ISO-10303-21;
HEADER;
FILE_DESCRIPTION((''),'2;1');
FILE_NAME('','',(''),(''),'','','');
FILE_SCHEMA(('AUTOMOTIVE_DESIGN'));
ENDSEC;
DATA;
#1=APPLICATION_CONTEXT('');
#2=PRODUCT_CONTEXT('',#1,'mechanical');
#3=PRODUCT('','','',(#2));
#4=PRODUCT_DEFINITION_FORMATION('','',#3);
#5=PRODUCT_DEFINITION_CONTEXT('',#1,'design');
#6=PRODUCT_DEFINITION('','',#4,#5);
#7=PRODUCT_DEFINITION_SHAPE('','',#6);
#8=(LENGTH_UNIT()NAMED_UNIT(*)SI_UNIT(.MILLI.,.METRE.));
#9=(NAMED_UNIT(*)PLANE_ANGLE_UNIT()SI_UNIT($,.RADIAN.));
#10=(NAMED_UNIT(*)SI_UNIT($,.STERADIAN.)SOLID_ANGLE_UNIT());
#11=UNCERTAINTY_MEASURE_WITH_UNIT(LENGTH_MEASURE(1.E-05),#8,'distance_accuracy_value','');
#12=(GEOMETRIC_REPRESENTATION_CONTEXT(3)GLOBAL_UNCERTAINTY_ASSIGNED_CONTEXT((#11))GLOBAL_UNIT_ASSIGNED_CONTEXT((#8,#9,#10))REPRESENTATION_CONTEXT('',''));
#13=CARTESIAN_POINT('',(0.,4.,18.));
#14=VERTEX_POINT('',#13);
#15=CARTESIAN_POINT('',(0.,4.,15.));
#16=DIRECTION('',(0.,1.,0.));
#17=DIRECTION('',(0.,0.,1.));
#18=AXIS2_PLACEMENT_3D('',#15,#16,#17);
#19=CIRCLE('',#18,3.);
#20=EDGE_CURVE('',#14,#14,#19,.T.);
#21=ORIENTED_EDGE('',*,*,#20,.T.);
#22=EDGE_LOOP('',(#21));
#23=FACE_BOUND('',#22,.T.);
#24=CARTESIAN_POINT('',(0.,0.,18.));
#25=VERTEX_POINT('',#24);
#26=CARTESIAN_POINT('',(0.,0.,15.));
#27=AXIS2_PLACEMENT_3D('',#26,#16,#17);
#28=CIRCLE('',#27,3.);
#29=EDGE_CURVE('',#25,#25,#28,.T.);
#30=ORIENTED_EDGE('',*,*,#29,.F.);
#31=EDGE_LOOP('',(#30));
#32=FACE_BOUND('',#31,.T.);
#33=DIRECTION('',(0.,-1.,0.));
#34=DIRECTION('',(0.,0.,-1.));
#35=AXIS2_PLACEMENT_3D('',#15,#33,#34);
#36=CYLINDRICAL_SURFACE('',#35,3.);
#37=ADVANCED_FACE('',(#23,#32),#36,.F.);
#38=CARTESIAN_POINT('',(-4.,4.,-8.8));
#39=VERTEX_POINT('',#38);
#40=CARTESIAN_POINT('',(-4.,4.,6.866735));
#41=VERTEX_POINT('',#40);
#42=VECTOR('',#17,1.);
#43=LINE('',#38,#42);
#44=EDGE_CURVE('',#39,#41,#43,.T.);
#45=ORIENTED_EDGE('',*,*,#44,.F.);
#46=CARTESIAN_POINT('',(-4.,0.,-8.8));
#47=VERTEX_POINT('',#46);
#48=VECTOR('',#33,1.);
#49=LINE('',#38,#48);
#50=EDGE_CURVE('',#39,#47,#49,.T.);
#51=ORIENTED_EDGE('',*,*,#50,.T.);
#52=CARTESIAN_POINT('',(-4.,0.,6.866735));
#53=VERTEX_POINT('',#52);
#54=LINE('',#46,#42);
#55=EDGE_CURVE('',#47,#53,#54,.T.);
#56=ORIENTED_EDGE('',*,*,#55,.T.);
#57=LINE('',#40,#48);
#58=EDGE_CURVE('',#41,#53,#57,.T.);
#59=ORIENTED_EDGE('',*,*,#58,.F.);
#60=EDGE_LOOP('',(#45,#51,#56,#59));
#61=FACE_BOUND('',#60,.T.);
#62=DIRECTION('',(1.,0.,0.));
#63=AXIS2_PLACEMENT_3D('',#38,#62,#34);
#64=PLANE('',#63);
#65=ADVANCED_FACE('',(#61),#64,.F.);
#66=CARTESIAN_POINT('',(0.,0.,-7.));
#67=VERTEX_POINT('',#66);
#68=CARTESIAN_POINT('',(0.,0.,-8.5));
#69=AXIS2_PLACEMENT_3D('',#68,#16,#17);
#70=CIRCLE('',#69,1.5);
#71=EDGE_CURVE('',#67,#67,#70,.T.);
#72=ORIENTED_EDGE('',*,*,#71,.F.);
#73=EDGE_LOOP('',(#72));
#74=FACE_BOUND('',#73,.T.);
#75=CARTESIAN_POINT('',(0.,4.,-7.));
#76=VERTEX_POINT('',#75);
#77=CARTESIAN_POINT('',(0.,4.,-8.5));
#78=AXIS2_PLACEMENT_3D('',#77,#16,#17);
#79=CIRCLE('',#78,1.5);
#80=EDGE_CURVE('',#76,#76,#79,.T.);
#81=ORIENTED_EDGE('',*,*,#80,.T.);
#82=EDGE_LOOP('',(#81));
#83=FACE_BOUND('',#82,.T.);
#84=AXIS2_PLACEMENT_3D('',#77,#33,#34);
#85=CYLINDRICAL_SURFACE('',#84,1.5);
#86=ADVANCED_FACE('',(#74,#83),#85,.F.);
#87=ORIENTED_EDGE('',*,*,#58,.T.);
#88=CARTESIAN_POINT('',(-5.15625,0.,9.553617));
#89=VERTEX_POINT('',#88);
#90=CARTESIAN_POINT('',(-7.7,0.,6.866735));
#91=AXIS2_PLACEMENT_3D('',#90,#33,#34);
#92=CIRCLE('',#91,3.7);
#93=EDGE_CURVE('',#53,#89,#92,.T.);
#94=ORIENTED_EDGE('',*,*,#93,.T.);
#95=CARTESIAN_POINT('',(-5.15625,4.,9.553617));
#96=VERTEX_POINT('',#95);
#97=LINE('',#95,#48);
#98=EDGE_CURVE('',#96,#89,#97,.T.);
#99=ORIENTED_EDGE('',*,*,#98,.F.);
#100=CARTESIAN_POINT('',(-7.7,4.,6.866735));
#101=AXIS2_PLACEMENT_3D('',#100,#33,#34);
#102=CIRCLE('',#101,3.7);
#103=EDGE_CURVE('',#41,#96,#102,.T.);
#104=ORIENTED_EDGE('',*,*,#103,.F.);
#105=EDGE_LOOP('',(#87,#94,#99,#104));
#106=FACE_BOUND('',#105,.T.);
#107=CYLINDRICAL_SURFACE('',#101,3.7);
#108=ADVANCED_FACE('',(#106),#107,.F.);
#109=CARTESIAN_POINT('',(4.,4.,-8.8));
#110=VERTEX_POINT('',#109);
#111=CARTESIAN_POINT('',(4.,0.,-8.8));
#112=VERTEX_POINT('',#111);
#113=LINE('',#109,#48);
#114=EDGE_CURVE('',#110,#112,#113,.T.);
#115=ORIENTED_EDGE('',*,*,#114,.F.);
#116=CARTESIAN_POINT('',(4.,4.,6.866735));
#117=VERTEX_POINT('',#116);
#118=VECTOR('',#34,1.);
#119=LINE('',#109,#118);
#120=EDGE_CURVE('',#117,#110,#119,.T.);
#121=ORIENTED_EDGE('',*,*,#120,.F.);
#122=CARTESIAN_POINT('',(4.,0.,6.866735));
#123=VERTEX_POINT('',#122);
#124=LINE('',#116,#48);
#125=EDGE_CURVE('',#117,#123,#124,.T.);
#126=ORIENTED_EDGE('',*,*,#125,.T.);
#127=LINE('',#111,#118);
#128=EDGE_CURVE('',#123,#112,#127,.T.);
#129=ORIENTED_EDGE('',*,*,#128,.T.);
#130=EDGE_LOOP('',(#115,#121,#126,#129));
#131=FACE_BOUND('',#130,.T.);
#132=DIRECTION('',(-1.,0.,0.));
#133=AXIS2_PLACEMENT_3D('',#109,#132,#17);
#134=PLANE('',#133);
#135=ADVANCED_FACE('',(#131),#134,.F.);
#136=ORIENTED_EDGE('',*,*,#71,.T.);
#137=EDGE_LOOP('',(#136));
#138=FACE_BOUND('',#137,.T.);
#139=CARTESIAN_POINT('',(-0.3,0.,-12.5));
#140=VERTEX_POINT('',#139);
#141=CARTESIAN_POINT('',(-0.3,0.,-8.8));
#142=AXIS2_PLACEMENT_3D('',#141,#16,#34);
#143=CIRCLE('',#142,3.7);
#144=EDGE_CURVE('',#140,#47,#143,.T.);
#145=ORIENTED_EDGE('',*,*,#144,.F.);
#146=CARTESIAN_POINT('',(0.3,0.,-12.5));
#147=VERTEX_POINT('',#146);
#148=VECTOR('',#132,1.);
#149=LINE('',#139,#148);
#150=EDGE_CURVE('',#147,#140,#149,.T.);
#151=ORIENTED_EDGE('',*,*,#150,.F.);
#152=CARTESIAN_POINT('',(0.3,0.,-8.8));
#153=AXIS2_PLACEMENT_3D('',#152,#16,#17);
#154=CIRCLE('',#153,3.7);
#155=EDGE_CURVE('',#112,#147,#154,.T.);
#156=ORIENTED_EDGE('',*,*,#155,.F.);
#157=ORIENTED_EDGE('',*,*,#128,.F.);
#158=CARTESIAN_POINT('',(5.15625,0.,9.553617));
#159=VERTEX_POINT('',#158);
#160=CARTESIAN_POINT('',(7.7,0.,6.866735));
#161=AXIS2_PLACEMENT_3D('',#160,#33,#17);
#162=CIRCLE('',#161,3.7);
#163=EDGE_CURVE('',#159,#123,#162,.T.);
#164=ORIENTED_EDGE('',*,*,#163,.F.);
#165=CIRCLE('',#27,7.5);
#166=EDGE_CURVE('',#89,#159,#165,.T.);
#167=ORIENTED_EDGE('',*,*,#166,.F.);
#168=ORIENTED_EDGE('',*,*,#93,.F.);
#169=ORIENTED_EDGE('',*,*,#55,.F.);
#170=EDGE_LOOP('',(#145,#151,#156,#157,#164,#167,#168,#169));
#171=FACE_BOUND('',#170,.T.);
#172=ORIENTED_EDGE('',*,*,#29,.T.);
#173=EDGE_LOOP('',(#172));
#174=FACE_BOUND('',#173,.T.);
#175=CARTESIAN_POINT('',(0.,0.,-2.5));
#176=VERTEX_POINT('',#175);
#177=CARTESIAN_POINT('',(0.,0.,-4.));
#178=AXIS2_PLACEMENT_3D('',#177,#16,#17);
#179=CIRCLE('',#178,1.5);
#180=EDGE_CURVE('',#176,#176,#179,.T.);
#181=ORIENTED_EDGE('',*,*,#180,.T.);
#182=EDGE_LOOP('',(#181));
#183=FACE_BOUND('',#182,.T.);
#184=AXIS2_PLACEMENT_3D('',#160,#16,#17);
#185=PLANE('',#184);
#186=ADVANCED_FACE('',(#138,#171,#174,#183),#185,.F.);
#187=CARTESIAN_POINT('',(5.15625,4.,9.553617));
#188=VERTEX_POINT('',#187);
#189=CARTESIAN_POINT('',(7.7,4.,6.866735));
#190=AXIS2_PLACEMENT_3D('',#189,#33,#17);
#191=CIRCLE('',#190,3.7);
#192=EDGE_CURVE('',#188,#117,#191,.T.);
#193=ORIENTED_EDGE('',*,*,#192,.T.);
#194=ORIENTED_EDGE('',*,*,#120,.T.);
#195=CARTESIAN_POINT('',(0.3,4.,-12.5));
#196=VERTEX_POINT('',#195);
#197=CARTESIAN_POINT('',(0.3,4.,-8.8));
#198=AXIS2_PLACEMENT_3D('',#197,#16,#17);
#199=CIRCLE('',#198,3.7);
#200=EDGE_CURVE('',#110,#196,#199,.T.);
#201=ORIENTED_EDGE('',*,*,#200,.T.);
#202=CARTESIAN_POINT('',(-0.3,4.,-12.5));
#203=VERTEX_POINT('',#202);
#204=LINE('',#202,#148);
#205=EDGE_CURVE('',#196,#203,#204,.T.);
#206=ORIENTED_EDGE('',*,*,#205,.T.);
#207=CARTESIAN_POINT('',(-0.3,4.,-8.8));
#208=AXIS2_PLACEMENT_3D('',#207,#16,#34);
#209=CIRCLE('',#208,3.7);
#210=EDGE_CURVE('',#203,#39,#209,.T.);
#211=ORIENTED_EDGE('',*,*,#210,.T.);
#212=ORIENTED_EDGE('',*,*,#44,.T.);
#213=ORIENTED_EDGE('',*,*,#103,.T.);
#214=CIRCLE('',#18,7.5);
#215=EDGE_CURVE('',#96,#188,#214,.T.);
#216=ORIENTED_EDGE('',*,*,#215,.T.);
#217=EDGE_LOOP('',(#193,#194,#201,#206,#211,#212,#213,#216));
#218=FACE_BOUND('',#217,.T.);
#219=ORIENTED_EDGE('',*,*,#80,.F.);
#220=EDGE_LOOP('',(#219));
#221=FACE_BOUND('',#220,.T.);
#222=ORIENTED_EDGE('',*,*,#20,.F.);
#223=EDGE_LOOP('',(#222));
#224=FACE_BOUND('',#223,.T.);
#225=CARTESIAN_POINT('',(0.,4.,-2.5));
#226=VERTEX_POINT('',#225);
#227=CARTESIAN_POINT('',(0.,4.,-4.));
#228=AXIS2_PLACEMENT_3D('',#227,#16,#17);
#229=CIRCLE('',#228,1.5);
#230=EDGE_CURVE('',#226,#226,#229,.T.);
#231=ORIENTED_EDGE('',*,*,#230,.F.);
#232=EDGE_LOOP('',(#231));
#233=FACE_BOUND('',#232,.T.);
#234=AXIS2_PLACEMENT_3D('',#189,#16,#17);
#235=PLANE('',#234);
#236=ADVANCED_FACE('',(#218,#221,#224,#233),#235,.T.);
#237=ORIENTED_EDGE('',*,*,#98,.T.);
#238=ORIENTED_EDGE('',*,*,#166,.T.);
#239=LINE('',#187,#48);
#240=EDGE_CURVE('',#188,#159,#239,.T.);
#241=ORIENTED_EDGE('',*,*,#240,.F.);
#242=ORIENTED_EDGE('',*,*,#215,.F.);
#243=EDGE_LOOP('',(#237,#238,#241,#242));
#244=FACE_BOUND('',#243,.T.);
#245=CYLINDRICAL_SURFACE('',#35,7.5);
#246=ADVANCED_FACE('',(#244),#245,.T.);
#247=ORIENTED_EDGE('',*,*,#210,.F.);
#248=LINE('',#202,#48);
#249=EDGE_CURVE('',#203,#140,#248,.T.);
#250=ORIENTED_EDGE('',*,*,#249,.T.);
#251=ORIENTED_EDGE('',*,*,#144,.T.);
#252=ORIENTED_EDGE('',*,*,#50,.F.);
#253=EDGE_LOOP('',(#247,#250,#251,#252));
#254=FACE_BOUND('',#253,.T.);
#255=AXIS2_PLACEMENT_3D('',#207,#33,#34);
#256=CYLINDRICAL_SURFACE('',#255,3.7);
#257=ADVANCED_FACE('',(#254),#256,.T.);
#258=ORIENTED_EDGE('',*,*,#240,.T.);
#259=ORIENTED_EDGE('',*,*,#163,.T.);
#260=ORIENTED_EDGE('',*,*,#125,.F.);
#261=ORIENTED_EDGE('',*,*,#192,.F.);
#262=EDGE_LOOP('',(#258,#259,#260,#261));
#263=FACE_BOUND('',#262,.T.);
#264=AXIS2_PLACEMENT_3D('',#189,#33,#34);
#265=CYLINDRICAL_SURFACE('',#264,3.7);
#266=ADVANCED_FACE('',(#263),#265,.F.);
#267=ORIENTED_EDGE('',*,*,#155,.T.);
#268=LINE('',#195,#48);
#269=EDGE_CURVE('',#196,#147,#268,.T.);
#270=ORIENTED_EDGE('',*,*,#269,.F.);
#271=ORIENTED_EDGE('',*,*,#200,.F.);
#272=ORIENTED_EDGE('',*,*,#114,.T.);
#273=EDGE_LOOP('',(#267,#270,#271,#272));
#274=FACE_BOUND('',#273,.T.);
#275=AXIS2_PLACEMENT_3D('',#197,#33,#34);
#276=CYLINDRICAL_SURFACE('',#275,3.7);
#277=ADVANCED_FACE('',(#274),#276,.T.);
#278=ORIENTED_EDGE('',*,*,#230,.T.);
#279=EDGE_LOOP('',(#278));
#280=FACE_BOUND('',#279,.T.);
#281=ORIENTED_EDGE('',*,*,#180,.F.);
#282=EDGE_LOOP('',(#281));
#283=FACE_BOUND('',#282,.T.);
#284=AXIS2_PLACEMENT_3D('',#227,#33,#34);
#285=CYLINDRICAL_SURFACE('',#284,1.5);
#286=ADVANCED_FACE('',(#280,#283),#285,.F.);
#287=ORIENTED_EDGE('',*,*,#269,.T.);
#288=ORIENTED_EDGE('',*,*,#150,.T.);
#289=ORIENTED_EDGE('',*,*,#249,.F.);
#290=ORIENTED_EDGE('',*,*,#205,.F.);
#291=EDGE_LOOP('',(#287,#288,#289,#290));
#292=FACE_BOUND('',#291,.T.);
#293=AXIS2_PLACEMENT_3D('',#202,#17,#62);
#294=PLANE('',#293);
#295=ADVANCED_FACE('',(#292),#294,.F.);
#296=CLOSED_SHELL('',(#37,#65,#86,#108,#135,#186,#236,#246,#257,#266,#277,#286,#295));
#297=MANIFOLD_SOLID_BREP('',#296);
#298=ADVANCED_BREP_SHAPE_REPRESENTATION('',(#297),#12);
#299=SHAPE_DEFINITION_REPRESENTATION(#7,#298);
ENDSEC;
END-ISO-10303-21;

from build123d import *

# Parameters (mm, degrees)
SKETCH1_R           = 3
SKETCH1_R_2         = 1.5
BOSS_EXTRUDE1_DEPTH = 4


with BuildPart() as part:
    # Sketch1 → Boss-Extrude1 (new body)
    with BuildSketch(Plane(origin=(0, 0, 0), x_dir=(1, 0, 0), z_dir=(0, 1, 0))):
        with BuildLine():
            Line((-4, 8.8), (-4, -6.866734973))
            ThreePointArc((-4, -6.866734973), (-4.301332982, -8.329288391), (-5.15625, -9.553617169))
            ThreePointArc((-5.15625, -9.553617169), (0, -22.5), (5.15625, -9.553617169))
            ThreePointArc((5.15625, -9.553617169), (4.301332982, -8.329288391), (4, -6.866734973))
            Line((4, -6.866734973), (4, 8.8))
            ThreePointArc((4, 8.8), (2.91629509, 11.41629509), (0.3, 12.5))
            Line((0.3, 12.5), (-0.3, 12.5))
            ThreePointArc((-0.3, 12.5), (-2.91629509, 11.41629509), (-4, 8.8))
        make_face()
        with Locations(Location((0, -15, 0), (0, 0, 270))):
            Circle(SKETCH1_R, mode=Mode.SUBTRACT)
        with Locations(Location((0, 8.5, 0), (0, 0, 270))):
            Circle(SKETCH1_R_2, mode=Mode.SUBTRACT)
        with Locations(Location((0, 4, 0), (0, 0, 270))):
            Circle(SKETCH1_R_2, mode=Mode.SUBTRACT)
    extrude(amount=BOSS_EXTRUDE1_DEPTH)


solid = part.part
